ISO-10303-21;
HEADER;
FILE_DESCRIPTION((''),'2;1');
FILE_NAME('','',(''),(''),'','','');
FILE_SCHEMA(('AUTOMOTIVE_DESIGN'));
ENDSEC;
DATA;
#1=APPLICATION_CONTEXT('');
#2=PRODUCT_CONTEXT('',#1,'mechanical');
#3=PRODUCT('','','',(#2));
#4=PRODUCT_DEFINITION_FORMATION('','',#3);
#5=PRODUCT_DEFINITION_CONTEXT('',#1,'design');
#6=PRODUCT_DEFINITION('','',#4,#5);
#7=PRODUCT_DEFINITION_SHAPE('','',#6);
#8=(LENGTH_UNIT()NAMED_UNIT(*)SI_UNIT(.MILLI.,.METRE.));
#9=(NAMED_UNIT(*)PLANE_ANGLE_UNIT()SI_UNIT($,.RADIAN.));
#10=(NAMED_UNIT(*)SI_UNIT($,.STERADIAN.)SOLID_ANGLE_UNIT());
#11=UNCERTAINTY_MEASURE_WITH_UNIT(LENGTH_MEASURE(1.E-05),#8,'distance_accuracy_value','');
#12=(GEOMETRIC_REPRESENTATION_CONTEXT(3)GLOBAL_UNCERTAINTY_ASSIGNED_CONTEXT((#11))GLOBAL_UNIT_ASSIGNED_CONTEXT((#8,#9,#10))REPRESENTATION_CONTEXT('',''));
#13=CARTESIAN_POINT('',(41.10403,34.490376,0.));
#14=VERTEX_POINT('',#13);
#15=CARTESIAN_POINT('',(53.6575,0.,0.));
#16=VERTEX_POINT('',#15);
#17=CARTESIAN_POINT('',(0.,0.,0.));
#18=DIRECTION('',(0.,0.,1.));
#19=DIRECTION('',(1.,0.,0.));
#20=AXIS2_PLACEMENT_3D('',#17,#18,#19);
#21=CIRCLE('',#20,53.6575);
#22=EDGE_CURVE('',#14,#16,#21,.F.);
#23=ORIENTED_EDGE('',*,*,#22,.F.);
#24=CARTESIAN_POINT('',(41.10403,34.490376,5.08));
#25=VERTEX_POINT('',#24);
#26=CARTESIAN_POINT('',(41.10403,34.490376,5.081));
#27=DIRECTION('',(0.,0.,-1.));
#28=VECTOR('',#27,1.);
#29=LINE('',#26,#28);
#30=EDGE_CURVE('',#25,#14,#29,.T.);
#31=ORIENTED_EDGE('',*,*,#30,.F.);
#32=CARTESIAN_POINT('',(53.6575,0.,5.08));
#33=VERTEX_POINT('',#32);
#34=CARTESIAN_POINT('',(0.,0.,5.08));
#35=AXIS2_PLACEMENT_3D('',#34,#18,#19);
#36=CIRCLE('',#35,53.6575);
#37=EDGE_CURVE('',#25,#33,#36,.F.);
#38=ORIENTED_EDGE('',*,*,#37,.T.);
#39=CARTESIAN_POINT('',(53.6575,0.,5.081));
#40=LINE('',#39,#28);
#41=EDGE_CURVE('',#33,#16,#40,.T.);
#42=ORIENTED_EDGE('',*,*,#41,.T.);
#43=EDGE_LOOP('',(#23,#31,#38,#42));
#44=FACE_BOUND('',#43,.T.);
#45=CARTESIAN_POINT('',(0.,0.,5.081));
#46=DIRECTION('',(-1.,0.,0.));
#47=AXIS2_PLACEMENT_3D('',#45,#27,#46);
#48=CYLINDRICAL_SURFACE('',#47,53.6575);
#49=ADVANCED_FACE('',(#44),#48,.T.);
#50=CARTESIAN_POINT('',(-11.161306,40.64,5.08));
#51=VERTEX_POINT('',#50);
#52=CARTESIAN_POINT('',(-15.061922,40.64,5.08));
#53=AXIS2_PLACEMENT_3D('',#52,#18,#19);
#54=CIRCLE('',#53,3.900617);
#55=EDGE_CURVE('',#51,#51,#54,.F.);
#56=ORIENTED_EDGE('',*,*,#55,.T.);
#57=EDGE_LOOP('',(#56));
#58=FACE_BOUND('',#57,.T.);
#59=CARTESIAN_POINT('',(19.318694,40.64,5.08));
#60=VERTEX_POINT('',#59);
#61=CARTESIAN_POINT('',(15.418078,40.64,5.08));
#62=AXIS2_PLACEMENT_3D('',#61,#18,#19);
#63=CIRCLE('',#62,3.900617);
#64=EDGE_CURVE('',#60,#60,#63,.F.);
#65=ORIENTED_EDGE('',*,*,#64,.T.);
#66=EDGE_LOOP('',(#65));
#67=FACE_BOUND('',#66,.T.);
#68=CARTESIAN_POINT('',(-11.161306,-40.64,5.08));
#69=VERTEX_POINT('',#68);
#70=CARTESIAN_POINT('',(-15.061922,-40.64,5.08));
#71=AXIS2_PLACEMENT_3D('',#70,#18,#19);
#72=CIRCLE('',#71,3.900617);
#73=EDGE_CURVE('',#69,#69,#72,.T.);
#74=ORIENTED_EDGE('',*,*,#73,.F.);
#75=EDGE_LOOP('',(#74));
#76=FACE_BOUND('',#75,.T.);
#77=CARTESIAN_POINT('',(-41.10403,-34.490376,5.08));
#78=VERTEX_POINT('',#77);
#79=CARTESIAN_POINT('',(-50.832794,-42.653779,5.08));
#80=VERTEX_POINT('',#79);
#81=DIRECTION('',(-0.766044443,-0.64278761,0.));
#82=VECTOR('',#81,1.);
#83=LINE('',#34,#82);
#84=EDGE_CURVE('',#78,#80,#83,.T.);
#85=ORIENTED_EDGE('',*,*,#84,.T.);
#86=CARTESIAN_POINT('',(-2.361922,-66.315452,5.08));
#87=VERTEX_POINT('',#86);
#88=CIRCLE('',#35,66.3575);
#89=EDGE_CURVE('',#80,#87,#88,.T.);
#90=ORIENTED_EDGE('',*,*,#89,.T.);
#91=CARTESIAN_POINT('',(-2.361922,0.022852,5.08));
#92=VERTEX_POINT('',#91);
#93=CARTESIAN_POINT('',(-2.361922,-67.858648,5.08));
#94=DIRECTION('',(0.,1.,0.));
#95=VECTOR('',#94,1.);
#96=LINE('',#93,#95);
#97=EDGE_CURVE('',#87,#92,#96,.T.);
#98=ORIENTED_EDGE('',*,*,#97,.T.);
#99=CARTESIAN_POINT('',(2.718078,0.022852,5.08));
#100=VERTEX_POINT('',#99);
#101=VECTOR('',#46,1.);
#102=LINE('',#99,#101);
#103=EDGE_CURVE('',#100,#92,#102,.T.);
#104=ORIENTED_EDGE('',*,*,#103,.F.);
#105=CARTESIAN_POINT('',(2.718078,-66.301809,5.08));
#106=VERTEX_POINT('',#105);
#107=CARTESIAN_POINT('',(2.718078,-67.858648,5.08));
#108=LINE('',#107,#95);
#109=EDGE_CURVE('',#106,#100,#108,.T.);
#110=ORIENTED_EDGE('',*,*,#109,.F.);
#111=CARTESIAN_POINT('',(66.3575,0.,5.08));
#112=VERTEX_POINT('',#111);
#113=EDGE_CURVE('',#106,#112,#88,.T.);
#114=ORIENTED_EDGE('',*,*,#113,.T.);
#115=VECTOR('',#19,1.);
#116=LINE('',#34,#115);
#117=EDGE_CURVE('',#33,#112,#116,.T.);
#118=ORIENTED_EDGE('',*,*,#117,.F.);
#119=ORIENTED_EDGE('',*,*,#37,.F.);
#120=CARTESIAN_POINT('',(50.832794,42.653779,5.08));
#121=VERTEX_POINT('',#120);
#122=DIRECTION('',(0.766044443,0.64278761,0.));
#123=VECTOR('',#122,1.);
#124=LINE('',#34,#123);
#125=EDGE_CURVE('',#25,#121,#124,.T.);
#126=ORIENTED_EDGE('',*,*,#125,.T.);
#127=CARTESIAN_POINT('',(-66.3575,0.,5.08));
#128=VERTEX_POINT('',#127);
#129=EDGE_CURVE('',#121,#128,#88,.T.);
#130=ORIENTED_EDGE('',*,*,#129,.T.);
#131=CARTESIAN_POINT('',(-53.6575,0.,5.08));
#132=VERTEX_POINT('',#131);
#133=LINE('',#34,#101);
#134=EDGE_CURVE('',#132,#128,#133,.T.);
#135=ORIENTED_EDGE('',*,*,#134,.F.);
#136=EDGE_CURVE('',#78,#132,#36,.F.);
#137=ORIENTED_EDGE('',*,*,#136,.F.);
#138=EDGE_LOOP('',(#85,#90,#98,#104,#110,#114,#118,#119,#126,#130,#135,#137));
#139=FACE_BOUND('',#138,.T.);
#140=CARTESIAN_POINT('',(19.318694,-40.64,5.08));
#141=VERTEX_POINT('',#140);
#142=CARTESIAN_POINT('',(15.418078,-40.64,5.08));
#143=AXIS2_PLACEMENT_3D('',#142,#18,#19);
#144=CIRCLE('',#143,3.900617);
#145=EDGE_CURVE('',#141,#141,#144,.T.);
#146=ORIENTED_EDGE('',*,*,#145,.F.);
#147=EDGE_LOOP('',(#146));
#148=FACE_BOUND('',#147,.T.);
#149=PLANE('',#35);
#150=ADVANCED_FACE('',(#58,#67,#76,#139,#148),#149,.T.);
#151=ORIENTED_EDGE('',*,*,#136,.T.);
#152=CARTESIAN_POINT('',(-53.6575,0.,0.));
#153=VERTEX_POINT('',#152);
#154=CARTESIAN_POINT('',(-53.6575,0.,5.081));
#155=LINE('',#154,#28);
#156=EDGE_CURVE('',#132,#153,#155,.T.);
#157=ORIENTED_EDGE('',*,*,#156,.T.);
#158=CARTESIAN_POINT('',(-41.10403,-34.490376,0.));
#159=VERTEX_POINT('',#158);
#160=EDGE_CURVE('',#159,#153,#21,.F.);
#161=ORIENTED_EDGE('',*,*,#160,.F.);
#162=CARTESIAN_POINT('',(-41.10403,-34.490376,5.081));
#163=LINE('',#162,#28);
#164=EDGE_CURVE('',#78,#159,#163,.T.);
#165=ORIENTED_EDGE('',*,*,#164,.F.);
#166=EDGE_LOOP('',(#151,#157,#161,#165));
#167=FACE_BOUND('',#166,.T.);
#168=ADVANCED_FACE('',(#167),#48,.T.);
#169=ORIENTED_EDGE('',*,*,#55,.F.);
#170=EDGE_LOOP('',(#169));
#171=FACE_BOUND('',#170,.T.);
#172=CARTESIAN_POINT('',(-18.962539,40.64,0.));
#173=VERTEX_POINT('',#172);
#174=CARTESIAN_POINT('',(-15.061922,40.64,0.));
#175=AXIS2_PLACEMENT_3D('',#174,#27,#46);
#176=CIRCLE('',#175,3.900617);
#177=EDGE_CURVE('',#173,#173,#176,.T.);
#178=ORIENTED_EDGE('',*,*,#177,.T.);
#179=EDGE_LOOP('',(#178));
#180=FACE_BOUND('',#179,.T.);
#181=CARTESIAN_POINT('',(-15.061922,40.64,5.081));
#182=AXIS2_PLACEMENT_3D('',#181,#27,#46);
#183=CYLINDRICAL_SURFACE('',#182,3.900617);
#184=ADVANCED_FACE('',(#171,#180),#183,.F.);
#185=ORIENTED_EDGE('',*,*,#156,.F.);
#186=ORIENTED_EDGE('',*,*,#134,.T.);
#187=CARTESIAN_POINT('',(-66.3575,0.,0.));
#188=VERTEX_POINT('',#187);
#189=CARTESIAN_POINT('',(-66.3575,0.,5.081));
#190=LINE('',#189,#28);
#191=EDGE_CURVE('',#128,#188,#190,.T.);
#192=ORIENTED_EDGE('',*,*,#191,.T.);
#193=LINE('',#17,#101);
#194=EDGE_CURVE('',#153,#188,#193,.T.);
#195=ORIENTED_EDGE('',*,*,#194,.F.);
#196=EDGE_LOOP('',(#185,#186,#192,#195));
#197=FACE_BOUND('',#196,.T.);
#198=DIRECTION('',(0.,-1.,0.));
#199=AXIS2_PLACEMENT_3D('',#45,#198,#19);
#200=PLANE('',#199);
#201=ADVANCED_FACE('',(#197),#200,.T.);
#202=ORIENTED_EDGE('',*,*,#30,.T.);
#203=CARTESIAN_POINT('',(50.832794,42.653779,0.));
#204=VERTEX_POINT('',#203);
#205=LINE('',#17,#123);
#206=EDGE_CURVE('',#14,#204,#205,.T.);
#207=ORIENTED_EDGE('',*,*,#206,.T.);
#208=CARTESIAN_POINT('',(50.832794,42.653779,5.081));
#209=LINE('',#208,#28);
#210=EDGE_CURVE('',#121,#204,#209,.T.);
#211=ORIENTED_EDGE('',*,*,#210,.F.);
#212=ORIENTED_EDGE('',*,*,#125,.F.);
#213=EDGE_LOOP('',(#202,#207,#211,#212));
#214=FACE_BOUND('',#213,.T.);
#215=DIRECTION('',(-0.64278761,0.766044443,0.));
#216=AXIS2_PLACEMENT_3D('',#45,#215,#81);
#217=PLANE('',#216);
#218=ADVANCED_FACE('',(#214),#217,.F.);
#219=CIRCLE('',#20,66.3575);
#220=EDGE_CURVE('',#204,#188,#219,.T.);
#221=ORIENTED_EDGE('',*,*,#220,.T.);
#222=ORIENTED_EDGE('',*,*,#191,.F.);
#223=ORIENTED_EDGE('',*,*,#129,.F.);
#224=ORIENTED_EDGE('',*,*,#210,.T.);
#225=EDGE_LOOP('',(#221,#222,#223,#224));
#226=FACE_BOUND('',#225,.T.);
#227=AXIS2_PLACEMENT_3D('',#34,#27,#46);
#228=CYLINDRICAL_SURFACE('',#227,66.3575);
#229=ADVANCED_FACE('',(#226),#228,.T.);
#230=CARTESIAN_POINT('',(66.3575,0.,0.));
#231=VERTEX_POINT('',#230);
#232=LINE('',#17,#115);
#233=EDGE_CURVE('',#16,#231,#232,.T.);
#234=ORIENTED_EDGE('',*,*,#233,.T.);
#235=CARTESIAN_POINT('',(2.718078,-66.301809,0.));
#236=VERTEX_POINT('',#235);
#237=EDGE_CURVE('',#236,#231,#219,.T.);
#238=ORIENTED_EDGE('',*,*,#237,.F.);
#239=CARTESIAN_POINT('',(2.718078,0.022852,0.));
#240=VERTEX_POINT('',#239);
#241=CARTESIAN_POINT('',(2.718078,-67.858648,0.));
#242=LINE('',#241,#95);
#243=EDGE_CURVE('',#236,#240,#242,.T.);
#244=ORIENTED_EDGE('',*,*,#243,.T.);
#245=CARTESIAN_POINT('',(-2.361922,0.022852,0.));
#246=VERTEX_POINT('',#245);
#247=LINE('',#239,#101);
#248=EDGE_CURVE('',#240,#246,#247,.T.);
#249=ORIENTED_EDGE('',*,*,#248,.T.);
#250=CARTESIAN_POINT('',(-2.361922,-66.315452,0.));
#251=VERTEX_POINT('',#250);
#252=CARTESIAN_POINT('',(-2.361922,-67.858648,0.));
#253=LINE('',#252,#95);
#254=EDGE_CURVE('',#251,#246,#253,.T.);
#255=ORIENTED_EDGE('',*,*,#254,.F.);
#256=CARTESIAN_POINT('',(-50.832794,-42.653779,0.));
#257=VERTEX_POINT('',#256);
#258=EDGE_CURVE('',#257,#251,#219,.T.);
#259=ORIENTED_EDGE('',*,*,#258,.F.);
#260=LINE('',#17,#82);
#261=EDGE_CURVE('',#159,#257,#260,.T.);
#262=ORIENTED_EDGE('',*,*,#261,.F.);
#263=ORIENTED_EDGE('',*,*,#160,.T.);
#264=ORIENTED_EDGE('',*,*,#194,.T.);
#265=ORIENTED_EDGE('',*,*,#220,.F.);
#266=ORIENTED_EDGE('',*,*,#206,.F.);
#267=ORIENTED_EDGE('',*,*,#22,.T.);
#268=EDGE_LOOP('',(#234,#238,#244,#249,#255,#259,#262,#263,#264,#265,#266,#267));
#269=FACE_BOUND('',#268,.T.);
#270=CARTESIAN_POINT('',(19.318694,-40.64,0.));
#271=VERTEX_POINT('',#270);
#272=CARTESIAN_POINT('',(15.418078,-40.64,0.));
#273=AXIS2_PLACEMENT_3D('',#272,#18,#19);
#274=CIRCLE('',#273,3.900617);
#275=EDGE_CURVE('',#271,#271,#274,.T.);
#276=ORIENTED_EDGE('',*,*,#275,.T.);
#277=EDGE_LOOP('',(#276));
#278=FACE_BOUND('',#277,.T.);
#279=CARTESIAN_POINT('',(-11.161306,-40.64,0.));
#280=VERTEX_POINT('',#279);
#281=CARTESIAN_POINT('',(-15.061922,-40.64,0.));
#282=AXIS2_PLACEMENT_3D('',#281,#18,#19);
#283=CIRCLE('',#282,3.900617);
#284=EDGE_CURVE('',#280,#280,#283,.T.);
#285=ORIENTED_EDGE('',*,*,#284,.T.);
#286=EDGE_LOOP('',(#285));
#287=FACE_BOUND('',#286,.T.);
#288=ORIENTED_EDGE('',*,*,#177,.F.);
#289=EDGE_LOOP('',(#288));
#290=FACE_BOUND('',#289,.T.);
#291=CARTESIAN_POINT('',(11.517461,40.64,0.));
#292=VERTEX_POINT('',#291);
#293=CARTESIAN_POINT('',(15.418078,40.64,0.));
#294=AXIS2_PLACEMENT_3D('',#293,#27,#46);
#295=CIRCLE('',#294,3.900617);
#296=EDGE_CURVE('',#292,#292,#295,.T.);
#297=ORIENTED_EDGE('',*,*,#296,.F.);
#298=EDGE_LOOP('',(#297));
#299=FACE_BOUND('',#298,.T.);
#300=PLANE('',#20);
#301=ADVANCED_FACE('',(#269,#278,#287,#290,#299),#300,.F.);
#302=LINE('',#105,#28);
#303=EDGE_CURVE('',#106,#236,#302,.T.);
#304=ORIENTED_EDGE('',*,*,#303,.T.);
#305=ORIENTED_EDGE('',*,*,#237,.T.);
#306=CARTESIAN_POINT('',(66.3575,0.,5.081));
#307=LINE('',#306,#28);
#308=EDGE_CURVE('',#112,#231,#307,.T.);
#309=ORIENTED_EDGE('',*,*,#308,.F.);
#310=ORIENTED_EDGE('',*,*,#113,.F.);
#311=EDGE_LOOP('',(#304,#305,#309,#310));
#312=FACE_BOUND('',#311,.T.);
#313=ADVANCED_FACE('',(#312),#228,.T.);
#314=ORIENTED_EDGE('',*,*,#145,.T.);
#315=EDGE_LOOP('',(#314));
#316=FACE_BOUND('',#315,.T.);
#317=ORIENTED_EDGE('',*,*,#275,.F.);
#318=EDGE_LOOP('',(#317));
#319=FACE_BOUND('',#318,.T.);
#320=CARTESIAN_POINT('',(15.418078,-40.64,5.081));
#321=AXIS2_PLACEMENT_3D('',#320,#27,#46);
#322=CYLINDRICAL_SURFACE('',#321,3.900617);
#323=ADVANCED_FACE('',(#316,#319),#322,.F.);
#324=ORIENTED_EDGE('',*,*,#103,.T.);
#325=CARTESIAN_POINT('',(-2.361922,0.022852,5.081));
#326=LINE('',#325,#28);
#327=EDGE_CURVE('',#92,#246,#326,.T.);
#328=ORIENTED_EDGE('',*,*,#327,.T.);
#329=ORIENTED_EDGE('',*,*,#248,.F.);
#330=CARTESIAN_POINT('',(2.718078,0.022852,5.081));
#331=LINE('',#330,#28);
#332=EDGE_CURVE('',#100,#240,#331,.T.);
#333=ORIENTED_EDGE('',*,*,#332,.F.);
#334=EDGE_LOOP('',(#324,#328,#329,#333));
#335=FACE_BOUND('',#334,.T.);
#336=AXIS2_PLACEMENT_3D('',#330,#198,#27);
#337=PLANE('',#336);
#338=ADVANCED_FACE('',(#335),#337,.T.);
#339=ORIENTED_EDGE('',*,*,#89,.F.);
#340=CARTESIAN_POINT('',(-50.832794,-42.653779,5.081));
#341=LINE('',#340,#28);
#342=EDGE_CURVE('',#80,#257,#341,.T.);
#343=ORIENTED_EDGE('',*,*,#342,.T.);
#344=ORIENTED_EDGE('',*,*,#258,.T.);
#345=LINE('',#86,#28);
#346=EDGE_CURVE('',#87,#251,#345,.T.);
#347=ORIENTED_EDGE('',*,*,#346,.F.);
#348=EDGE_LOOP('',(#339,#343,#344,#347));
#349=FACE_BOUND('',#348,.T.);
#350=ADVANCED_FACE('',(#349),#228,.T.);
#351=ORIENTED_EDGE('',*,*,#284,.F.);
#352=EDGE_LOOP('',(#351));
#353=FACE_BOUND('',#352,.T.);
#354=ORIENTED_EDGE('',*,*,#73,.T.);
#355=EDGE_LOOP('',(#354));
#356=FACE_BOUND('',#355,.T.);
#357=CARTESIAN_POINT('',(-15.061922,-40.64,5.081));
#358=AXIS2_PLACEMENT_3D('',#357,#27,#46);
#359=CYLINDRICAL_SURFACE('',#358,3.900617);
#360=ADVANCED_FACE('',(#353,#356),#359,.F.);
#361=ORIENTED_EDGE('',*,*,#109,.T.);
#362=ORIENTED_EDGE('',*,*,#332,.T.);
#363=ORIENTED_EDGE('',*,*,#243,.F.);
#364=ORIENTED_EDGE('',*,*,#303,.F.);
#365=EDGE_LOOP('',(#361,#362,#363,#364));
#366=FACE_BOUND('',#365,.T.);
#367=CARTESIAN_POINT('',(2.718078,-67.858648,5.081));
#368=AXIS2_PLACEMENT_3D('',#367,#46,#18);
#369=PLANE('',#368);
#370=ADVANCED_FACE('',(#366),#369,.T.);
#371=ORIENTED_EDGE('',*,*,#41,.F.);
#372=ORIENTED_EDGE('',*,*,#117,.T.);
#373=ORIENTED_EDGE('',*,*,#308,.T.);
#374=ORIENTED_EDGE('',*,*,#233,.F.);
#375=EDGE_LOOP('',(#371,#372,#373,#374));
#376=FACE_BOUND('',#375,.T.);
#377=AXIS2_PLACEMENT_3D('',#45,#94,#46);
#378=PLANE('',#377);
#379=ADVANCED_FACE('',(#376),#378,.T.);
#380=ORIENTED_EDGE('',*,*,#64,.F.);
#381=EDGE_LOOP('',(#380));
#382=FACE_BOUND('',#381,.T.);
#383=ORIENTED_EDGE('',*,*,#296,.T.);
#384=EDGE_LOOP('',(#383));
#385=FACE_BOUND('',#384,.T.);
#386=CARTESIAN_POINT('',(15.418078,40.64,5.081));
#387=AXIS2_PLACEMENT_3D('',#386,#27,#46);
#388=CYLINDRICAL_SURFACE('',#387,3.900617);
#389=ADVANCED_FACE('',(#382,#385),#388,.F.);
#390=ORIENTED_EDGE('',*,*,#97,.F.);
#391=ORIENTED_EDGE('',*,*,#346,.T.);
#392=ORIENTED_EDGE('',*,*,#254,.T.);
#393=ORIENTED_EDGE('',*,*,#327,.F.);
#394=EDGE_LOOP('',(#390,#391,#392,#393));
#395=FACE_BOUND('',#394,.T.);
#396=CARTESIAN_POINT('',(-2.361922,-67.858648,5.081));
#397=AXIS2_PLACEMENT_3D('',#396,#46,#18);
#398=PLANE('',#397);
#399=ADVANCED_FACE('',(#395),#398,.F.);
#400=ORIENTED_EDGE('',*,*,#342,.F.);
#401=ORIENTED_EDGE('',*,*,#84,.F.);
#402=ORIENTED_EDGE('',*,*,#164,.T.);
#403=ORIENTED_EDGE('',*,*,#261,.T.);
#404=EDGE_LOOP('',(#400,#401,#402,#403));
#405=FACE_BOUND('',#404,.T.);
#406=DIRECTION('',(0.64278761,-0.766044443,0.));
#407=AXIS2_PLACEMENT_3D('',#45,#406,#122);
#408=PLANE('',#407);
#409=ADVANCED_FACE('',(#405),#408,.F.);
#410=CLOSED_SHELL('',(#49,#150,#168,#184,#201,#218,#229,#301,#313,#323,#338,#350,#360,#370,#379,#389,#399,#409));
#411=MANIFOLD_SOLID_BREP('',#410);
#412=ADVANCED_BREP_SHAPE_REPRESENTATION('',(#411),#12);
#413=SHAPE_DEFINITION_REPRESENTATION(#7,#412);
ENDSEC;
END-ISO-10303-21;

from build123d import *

# Parameters (mm, degrees)
SKETCH1_R           = 66.3575
BOSS_EXTRUDE1_DEPTH = 5.08
CUT_EXTRUDE2_REACH  = 95.981
SKETCH3_R           = 3.900616975
SKETCH3_W           = 5.08
SKETCH3_H           = 67.8815


with BuildPart() as part:
    # Sketch1 → Boss-Extrude1 (new body)
    with BuildSketch(Plane.XY):
        Circle(SKETCH1_R)
    extrude(amount=BOSS_EXTRUDE1_DEPTH)

    # Sketch3 → Cut-Extrude2 (cut, up to next)
    with BuildSketch(Plane.XY, mode=Mode.PRIVATE) as cut_extrude2_sk1:
        with BuildLine():
            Line((-50.832794134, -42.65377881), (-41.104029707, -34.490376167))
            ThreePointArc((-41.104029707, -34.490376167), (-50.4215568, -18.35194584), (-53.6575, 0))
            Line((-53.6575, 0), (-66.3575, 0))
            ThreePointArc((-66.3575, 0), (-62.355653084, -22.695601661), (-50.832794134, -42.65377881))
        make_face()
    cut_extrude2_tool1 = extrude(cut_extrude2_sk1.sketch, amount=CUT_EXTRUDE2_REACH, mode=Mode.PRIVATE) & part.part
    # Sketch3 → Cut-Extrude2 (cut, up to next)
    with BuildSketch(Plane.XY, mode=Mode.PRIVATE) as cut_extrude2_sk2:
        with BuildLine():
            ThreePointArc((50.832794134, 42.65377881), (62.355653084, 22.695601661), (66.3575, 0))
            Line((66.3575, 0), (53.6575, 0))
            ThreePointArc((53.6575, 0), (50.4215568, 18.35194584), (41.104029707, 34.490376167))
            Line((41.104029707, 34.490376167), (50.832794134, 42.65377881))
        make_face()
    cut_extrude2_tool2 = extrude(cut_extrude2_sk2.sketch, amount=CUT_EXTRUDE2_REACH, mode=Mode.PRIVATE) & part.part
    # Sketch3 → Cut-Extrude2 (cut, up to next)
    with BuildSketch(Plane.XY, mode=Mode.PRIVATE) as cut_extrude2_sk3:
        with Locations((15.41807752, -40.64)):
            Circle(SKETCH3_R)
    cut_extrude2_tool3 = extrude(cut_extrude2_sk3.sketch, amount=CUT_EXTRUDE2_REACH, mode=Mode.PRIVATE) & part.part
    # Sketch3 → Cut-Extrude2 (cut, up to next)
    with BuildSketch(Plane.XY, mode=Mode.PRIVATE) as cut_extrude2_sk4:
        with Locations((-15.06192248, -40.64)):
            Circle(SKETCH3_R)
    cut_extrude2_tool4 = extrude(cut_extrude2_sk4.sketch, amount=CUT_EXTRUDE2_REACH, mode=Mode.PRIVATE) & part.part
    # Sketch3 → Cut-Extrude2 (cut, up to next)
    with BuildSketch(Plane.XY, mode=Mode.PRIVATE) as cut_extrude2_sk5:
        with Locations(Location((15.41807752, 40.64, 0), (0, 0, 180))):
            Circle(SKETCH3_R)
    cut_extrude2_tool5 = extrude(cut_extrude2_sk5.sketch, amount=CUT_EXTRUDE2_REACH, mode=Mode.PRIVATE) & part.part
    # Sketch3 → Cut-Extrude2 (cut, up to next)
    with BuildSketch(Plane.XY, mode=Mode.PRIVATE) as cut_extrude2_sk6:
        with Locations(Location((-15.06192248, 40.64, 0), (0, 0, 180))):
            Circle(SKETCH3_R)
    cut_extrude2_tool6 = extrude(cut_extrude2_sk6.sketch, amount=CUT_EXTRUDE2_REACH, mode=Mode.PRIVATE) & part.part
    # Sketch3 → Cut-Extrude2 (cut, up to next)
    with BuildSketch(Plane.XY, mode=Mode.PRIVATE) as cut_extrude2_sk7:
        with Locations((0.17807752, -33.91789821)):
            Rectangle(SKETCH3_W, SKETCH3_H)
    cut_extrude2_tool7 = extrude(cut_extrude2_sk7.sketch, amount=CUT_EXTRUDE2_REACH, mode=Mode.PRIVATE) & part.part
    add(cut_extrude2_tool1.solids().sort_by_distance((-55.456661, -20.184574, 0))[0], mode=Mode.SUBTRACT)
    add(cut_extrude2_tool2.solids().sort_by_distance((55.456661, 20.184574, 0))[0], mode=Mode.SUBTRACT)
    add(cut_extrude2_tool3.solids().sort_by_distance((15.418078, -40.64, 0))[0], mode=Mode.SUBTRACT)
    add(cut_extrude2_tool4.solids().sort_by_distance((-15.061922, -40.64, 0))[0], mode=Mode.SUBTRACT)
    add(cut_extrude2_tool5.solids().sort_by_distance((15.418078, 40.64, 0))[0], mode=Mode.SUBTRACT)
    add(cut_extrude2_tool6.solids().sort_by_distance((-15.061922, 40.64, 0))[0], mode=Mode.SUBTRACT)
    add(cut_extrude2_tool7.solids().sort_by_distance((0.178078, -33.917898, 0))[0], mode=Mode.SUBTRACT)


solid = part.part
